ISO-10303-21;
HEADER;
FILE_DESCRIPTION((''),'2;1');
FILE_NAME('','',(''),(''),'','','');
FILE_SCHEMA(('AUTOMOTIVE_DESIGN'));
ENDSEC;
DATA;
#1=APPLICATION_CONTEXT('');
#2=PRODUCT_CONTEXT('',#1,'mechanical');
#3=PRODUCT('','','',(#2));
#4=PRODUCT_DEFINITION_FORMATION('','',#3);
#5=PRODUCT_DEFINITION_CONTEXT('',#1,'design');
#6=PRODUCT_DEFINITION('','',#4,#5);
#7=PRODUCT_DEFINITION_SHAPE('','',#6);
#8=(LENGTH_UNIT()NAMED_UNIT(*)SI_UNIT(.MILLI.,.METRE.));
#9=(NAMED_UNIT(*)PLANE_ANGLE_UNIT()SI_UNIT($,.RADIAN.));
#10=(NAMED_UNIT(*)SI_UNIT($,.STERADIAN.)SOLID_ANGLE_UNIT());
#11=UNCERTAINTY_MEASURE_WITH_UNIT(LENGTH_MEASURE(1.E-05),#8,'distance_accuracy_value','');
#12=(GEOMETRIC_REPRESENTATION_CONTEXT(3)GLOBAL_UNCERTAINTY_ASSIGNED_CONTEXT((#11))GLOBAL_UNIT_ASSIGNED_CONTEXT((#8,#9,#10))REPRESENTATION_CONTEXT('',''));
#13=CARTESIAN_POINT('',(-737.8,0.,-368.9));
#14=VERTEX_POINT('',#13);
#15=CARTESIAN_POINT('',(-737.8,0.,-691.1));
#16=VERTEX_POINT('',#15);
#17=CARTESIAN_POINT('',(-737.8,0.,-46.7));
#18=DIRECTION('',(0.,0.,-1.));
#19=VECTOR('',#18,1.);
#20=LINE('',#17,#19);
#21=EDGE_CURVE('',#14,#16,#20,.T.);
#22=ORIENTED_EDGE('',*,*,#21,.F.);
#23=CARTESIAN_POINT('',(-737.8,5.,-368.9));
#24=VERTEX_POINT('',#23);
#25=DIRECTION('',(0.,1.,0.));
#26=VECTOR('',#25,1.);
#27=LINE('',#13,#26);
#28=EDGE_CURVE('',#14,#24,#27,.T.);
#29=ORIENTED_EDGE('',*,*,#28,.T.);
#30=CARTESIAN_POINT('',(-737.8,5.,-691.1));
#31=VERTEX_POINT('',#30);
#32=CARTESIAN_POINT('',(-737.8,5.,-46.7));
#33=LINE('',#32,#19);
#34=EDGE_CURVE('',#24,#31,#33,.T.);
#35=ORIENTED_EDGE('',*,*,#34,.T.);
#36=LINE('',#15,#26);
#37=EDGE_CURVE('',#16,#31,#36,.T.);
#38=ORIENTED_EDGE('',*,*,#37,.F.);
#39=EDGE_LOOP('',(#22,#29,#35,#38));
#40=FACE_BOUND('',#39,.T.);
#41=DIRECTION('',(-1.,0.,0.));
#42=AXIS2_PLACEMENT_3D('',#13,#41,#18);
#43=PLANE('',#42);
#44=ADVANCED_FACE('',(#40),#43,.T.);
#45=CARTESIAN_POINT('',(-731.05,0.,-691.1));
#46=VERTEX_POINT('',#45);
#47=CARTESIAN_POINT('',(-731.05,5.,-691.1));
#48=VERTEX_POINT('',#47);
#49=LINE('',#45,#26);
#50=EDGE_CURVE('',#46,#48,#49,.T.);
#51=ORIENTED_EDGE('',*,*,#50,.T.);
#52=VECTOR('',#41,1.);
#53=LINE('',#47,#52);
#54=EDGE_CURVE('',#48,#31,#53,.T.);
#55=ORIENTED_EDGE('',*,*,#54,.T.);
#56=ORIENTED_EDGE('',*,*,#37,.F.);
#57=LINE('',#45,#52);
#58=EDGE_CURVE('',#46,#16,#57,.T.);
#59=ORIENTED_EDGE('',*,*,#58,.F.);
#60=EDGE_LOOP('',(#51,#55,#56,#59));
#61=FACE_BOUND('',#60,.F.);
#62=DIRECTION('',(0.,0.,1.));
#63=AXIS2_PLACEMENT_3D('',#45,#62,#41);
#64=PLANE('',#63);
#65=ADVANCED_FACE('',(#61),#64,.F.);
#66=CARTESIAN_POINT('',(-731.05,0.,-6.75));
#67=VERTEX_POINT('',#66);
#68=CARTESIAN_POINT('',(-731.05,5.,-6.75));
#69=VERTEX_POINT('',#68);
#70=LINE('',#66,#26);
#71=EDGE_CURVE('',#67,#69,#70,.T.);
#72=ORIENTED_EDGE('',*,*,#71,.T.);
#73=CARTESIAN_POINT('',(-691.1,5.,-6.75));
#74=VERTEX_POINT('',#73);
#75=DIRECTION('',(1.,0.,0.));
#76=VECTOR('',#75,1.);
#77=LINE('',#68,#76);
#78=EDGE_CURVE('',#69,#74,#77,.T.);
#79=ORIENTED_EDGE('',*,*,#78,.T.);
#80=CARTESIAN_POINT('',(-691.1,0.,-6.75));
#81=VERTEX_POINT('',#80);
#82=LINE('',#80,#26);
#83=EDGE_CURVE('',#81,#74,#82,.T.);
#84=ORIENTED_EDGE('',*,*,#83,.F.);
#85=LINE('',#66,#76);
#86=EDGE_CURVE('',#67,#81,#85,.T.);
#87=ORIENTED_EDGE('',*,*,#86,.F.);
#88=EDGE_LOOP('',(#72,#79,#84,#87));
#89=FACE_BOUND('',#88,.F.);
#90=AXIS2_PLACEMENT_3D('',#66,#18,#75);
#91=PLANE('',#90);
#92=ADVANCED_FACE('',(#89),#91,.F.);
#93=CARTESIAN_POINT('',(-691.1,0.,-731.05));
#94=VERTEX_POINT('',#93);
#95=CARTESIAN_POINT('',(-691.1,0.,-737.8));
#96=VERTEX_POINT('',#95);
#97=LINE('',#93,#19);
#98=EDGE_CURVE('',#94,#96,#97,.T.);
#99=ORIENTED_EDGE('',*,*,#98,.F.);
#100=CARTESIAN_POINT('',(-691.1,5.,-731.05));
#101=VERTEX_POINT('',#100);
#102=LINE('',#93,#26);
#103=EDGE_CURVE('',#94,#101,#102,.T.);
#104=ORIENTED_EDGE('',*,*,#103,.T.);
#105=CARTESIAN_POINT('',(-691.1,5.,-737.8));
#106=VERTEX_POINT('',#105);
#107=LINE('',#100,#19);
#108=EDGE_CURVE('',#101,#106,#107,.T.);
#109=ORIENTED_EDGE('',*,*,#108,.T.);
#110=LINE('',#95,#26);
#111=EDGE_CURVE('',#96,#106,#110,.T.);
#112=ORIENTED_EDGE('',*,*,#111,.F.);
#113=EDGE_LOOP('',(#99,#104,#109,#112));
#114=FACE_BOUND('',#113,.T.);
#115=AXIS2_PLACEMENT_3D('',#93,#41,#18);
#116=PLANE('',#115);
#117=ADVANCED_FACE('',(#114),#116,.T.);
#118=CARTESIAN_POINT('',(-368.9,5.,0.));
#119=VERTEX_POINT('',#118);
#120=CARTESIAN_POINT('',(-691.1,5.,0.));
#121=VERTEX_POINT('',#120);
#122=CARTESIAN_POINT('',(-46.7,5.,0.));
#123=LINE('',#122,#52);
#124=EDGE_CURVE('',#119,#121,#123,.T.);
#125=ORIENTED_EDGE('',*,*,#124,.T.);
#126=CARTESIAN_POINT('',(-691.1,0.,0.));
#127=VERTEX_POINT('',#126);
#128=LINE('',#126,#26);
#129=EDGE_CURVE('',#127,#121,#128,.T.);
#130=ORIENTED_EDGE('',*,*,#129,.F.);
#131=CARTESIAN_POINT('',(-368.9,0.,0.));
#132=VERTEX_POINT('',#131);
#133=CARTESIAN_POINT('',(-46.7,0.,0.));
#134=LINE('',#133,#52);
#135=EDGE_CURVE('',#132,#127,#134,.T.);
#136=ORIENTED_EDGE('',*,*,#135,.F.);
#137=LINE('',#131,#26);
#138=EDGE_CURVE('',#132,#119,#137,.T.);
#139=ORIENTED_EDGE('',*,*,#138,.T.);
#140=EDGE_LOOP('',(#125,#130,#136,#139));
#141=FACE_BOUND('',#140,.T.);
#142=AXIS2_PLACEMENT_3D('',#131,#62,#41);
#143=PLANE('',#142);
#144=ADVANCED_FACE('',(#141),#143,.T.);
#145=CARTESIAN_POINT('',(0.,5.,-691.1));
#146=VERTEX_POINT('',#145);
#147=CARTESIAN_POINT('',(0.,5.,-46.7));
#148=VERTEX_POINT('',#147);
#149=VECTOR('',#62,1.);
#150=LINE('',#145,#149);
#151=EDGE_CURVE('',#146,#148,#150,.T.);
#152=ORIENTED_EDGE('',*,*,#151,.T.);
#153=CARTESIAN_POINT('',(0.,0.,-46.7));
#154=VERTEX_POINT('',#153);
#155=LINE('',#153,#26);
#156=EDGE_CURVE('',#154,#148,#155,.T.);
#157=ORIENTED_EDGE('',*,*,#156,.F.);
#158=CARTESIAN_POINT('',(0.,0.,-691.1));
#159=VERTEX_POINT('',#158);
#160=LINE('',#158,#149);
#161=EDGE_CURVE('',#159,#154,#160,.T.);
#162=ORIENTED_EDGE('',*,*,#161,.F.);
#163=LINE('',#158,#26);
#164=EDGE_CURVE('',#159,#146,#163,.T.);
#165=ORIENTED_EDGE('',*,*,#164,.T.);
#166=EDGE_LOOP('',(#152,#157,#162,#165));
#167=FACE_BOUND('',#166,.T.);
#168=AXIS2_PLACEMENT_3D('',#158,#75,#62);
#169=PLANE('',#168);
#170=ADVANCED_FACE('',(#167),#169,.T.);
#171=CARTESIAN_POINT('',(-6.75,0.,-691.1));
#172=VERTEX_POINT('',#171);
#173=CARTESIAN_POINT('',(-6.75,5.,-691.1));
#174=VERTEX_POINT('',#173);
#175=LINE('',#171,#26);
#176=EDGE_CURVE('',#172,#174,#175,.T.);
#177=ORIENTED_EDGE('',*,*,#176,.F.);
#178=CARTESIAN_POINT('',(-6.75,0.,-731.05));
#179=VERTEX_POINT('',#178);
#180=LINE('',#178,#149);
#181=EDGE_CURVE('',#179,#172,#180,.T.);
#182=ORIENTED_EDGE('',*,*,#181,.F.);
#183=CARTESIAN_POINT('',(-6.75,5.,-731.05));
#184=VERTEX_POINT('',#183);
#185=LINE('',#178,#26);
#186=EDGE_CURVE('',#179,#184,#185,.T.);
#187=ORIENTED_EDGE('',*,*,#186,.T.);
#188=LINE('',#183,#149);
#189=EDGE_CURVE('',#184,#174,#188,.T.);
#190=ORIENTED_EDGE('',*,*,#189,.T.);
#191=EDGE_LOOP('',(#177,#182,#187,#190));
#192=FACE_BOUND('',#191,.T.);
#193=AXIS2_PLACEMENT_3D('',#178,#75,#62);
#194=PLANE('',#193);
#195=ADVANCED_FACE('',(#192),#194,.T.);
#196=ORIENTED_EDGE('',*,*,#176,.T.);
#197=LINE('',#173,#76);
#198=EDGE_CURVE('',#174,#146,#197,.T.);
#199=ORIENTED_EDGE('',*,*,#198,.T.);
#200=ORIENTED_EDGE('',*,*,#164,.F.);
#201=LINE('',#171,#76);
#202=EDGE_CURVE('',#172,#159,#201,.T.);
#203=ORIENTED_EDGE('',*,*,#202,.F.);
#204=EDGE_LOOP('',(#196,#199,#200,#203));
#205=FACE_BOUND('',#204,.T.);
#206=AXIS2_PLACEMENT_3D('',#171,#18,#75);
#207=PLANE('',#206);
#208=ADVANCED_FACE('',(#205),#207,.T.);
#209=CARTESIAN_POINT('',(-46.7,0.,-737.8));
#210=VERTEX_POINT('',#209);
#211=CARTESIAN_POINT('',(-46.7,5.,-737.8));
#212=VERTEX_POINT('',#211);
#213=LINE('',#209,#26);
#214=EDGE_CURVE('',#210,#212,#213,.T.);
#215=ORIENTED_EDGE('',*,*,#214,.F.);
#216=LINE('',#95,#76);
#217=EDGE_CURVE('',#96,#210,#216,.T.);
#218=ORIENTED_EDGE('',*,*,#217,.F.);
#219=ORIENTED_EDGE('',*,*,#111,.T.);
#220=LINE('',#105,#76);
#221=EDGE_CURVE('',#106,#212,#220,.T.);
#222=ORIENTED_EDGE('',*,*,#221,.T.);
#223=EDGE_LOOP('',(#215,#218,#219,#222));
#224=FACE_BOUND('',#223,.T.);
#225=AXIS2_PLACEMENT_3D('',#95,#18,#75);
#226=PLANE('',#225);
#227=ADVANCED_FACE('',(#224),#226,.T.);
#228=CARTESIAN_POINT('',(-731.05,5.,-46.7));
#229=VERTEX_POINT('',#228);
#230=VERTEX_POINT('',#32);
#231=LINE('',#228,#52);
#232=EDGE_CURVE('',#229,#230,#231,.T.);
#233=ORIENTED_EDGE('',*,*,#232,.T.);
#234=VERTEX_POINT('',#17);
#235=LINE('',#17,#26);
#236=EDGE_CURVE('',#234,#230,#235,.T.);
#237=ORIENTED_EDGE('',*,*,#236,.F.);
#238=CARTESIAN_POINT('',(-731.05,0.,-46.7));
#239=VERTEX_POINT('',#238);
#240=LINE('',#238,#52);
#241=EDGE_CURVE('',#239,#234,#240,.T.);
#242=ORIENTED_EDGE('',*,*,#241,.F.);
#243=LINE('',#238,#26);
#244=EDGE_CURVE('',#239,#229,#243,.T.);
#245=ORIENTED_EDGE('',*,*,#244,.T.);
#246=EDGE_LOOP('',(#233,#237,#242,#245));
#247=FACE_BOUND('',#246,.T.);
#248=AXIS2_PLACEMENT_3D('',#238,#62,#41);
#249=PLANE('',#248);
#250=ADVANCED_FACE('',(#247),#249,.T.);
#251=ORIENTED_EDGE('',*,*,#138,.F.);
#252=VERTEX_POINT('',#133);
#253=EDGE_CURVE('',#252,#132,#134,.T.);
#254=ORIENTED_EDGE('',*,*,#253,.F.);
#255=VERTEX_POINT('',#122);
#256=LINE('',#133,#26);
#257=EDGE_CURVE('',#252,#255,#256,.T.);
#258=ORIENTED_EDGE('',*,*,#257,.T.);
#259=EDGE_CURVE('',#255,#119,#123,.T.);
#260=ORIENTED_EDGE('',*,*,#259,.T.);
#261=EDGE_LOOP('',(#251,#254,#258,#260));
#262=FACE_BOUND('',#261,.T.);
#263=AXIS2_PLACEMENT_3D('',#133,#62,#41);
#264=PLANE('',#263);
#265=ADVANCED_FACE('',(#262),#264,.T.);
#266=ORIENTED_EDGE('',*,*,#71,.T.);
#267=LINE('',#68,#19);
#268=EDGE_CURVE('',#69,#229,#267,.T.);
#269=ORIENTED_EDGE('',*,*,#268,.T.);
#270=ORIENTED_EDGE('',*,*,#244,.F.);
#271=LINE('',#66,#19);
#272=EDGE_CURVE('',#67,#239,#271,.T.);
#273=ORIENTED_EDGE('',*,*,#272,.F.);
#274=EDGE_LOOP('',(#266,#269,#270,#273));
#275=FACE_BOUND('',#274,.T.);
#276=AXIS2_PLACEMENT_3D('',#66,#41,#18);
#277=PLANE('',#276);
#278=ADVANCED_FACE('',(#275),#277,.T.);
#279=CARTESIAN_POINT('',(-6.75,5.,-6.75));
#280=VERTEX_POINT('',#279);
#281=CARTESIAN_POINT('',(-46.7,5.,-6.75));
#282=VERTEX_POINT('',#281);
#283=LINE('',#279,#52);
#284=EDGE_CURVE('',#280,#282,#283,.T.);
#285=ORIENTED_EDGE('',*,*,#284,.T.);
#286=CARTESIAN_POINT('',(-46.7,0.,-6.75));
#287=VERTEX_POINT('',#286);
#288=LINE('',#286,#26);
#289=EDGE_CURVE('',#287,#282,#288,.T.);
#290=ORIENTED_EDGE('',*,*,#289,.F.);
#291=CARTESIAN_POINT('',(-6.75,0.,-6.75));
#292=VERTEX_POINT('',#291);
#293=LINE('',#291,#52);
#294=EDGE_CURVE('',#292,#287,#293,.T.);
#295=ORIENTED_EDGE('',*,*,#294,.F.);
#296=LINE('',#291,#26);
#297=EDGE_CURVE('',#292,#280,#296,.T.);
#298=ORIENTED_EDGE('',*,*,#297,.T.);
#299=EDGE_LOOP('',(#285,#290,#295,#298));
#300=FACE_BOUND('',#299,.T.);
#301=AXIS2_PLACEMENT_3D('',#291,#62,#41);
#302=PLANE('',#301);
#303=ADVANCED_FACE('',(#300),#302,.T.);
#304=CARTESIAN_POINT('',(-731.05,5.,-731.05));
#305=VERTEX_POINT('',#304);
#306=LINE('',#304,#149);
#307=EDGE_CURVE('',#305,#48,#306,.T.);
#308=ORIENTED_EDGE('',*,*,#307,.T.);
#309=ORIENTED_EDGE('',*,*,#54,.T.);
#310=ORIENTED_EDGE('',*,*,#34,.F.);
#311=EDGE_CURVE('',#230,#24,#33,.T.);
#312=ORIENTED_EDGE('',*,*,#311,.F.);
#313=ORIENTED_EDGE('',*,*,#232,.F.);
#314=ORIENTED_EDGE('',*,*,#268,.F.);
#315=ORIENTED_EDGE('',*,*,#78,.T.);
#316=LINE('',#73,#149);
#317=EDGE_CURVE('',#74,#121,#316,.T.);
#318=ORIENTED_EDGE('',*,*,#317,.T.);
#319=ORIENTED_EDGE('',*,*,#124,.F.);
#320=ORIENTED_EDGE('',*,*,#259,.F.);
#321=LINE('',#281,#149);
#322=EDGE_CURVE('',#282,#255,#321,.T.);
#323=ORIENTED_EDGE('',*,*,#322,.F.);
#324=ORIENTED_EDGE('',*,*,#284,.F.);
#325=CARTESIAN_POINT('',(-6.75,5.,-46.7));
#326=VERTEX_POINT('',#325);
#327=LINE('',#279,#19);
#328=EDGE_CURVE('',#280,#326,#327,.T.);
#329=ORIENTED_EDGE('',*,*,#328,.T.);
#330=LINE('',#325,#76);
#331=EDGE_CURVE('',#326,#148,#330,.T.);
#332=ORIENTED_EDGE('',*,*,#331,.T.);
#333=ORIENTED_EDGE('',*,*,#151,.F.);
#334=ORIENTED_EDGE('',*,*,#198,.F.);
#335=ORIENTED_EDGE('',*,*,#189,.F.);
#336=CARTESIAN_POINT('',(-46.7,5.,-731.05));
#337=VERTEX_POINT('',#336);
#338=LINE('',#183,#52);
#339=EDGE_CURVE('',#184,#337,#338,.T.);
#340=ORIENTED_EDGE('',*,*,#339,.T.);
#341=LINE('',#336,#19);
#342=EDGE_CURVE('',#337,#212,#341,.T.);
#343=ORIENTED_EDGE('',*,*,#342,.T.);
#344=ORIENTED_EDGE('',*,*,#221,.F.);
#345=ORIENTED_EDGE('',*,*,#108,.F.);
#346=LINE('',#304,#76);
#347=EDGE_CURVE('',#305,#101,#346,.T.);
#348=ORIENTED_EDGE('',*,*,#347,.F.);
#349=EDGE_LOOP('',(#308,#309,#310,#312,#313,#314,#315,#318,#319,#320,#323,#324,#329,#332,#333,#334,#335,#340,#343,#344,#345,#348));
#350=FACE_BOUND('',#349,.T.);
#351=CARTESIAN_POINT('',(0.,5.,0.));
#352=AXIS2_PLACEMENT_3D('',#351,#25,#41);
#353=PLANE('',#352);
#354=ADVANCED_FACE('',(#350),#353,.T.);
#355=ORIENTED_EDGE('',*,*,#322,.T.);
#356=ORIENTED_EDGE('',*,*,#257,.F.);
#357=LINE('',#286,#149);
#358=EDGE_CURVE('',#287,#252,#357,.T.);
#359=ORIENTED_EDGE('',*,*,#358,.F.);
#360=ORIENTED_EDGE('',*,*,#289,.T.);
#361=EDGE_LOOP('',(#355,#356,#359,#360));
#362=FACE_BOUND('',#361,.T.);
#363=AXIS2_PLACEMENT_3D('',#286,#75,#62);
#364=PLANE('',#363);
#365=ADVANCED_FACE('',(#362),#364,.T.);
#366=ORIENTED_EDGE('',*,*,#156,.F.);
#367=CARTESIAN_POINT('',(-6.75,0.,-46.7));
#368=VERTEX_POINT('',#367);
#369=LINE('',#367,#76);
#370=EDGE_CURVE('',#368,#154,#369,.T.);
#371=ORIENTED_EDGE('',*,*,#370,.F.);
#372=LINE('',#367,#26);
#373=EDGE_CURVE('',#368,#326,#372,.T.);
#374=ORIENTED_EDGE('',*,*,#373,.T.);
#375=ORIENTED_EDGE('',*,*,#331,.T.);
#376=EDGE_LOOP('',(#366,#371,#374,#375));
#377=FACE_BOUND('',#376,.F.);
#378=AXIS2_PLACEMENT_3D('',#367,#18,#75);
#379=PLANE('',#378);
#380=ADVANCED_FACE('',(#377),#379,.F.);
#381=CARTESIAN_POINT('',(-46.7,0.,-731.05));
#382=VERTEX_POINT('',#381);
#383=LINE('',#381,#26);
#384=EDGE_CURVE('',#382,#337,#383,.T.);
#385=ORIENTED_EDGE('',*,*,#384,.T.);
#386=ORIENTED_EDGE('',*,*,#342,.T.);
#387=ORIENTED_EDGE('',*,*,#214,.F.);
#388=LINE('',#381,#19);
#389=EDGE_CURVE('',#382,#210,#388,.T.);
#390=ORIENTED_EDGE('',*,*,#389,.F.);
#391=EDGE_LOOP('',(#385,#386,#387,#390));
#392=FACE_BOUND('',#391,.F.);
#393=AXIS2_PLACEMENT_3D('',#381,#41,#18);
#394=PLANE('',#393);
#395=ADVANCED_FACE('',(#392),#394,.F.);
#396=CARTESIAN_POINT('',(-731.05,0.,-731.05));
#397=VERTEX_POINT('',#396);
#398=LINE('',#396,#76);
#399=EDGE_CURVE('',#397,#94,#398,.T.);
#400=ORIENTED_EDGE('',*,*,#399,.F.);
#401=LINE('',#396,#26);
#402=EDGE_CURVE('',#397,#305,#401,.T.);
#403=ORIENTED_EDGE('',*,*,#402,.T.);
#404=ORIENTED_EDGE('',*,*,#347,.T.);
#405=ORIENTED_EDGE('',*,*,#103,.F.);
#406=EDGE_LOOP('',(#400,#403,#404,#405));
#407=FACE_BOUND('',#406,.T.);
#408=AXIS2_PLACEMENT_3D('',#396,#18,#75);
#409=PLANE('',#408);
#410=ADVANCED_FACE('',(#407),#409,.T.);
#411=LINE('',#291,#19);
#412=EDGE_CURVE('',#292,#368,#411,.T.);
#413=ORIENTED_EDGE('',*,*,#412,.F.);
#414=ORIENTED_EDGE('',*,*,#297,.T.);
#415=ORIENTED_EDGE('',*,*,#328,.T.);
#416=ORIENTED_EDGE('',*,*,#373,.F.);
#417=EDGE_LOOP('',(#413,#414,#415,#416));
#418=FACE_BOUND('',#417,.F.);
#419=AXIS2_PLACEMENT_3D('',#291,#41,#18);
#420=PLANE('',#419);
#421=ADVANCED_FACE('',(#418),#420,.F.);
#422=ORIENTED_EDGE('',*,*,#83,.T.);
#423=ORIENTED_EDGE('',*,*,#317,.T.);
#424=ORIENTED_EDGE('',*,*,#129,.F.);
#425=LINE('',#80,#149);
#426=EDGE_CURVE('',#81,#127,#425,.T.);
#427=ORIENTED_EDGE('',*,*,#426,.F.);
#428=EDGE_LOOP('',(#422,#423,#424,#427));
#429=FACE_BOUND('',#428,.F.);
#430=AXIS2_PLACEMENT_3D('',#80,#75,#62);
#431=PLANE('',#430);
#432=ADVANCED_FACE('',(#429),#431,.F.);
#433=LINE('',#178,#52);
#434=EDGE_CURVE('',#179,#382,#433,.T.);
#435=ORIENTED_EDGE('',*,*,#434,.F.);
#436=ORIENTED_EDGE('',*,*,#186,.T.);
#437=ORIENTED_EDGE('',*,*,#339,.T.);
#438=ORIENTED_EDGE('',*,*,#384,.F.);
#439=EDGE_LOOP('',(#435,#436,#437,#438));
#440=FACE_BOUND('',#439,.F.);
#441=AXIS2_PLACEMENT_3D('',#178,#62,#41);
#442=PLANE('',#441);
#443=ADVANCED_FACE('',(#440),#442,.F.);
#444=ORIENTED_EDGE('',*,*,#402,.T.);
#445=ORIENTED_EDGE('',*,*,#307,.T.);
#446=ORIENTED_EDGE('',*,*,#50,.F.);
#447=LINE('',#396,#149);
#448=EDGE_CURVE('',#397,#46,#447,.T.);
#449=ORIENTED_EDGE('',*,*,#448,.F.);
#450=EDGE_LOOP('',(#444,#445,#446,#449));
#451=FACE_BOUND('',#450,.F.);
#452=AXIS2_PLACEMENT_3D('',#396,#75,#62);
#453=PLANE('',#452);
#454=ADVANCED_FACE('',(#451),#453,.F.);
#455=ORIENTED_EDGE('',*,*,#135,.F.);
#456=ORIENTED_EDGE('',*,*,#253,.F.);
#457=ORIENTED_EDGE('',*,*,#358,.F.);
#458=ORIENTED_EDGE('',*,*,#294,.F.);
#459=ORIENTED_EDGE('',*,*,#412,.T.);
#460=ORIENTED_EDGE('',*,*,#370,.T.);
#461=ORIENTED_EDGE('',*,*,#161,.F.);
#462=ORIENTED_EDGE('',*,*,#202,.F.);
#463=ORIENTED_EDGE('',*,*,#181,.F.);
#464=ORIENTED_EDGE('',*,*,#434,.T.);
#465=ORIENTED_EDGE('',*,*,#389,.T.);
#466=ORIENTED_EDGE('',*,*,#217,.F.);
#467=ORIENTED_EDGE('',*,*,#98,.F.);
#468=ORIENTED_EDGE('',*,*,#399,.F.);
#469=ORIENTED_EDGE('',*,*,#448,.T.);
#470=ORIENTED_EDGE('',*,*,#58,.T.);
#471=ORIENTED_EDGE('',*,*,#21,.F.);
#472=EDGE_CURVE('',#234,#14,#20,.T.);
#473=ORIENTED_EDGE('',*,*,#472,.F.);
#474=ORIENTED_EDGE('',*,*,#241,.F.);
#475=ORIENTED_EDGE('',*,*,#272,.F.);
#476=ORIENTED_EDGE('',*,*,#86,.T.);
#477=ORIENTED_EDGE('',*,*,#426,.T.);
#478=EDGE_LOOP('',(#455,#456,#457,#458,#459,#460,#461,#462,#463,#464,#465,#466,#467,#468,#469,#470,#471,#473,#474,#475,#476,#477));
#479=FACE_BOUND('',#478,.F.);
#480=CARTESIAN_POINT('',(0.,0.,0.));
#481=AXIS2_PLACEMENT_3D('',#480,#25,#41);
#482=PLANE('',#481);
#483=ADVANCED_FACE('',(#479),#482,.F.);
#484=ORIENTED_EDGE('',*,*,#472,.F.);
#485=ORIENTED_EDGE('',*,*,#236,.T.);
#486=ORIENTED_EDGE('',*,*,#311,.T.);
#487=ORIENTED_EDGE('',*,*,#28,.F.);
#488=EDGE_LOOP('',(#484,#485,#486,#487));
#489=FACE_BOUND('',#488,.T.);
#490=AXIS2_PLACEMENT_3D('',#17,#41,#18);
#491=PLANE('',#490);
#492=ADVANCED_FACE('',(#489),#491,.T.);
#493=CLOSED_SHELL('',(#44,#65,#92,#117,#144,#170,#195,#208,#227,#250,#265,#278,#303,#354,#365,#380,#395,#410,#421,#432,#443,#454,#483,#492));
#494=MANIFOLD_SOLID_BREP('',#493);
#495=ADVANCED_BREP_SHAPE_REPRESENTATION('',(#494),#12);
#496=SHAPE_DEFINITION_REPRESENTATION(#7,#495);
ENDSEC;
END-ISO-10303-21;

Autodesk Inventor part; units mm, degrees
ref_plane "YZ Plane" through (0, 0, 0) normal (1, 0, 0) x (0, 1, 0)
ref_plane "XZ Plane" through (0, 0, 0) normal (0, 1, 0) x (-1, 0, 0)
ref_plane "XY Plane" through (0, 0, 0) normal (0, 0, 1) x (1, 0, 0)
sketch "Sketch1" plane through (0, 0, 0) normal (0, 1, 0) x (-1, 0, 0)
  line L0 (46.7, 0) -> (691.1, 0)
  line L1 (737.8, -46.7) -> (737.8, -691.1)
  line L2 (691.1, -737.8) -> (46.7, -737.8)
  line L3 (0, -691.1) -> (0, -46.7)
  line L4 (6.75, -731.05) -> (46.7, -731.05)
  line L5 (46.7, -731.05) -> (46.7, -737.8)
  line L6 (6.75, -731.05) -> (6.75, -691.1)
  line L7 (6.75, -691.1) -> (0, -691.1)
  line L8 (737.8, -691.1) -> (737.8, -368.9)
  line L9 (691.1, 0) -> (368.9, 0)
  line L10 (731.05, -731.05) -> (691.1, -731.05)
  line L11 (691.1, -731.05) -> (691.1, -737.8)
  line L12 (731.05, -731.05) -> (731.05, -691.1)
  line L13 (731.05, -691.1) -> (737.8, -691.1)
  line L14 (6.75, -6.75) -> (46.7, -6.75)
  line L15 (46.7, -6.75) -> (46.7, 0)
  line L16 (6.75, -6.75) -> (6.75, -46.7)
  line L17 (6.75, -46.7) -> (0, -46.7)
  line L18 (691.1, -6.75) -> (691.1, 0)
  line L19 (731.05, -6.75) -> (691.1, -6.75)
  line L20 (731.05, -6.75) -> (731.05, -46.7)
  line L21 (731.05, -46.7) -> (737.8, -46.7)
  point P0 (0, 0)
  point P1 (737.8, -737.8)
  point P2 (737.8, 0)
  dimension "d1" = 737.8
  dimension "d6" = 6.75
  dimension "d7" = 46.7
  dimension "d8" = 6.75
  dimension "d9" = 46.7
  dimension "d11" = 368.9
  dimension "d12" = 737.8
  dimension "d13" = 6.75
  dimension "d14" = 6.75
  dimension "d15" = 46.7
  dimension "d16" = 46.7
extrude "Extrusion1" add sketch "Sketch1" along normal blind 5
properties part number "base_floor" material "Iron, Gray"
